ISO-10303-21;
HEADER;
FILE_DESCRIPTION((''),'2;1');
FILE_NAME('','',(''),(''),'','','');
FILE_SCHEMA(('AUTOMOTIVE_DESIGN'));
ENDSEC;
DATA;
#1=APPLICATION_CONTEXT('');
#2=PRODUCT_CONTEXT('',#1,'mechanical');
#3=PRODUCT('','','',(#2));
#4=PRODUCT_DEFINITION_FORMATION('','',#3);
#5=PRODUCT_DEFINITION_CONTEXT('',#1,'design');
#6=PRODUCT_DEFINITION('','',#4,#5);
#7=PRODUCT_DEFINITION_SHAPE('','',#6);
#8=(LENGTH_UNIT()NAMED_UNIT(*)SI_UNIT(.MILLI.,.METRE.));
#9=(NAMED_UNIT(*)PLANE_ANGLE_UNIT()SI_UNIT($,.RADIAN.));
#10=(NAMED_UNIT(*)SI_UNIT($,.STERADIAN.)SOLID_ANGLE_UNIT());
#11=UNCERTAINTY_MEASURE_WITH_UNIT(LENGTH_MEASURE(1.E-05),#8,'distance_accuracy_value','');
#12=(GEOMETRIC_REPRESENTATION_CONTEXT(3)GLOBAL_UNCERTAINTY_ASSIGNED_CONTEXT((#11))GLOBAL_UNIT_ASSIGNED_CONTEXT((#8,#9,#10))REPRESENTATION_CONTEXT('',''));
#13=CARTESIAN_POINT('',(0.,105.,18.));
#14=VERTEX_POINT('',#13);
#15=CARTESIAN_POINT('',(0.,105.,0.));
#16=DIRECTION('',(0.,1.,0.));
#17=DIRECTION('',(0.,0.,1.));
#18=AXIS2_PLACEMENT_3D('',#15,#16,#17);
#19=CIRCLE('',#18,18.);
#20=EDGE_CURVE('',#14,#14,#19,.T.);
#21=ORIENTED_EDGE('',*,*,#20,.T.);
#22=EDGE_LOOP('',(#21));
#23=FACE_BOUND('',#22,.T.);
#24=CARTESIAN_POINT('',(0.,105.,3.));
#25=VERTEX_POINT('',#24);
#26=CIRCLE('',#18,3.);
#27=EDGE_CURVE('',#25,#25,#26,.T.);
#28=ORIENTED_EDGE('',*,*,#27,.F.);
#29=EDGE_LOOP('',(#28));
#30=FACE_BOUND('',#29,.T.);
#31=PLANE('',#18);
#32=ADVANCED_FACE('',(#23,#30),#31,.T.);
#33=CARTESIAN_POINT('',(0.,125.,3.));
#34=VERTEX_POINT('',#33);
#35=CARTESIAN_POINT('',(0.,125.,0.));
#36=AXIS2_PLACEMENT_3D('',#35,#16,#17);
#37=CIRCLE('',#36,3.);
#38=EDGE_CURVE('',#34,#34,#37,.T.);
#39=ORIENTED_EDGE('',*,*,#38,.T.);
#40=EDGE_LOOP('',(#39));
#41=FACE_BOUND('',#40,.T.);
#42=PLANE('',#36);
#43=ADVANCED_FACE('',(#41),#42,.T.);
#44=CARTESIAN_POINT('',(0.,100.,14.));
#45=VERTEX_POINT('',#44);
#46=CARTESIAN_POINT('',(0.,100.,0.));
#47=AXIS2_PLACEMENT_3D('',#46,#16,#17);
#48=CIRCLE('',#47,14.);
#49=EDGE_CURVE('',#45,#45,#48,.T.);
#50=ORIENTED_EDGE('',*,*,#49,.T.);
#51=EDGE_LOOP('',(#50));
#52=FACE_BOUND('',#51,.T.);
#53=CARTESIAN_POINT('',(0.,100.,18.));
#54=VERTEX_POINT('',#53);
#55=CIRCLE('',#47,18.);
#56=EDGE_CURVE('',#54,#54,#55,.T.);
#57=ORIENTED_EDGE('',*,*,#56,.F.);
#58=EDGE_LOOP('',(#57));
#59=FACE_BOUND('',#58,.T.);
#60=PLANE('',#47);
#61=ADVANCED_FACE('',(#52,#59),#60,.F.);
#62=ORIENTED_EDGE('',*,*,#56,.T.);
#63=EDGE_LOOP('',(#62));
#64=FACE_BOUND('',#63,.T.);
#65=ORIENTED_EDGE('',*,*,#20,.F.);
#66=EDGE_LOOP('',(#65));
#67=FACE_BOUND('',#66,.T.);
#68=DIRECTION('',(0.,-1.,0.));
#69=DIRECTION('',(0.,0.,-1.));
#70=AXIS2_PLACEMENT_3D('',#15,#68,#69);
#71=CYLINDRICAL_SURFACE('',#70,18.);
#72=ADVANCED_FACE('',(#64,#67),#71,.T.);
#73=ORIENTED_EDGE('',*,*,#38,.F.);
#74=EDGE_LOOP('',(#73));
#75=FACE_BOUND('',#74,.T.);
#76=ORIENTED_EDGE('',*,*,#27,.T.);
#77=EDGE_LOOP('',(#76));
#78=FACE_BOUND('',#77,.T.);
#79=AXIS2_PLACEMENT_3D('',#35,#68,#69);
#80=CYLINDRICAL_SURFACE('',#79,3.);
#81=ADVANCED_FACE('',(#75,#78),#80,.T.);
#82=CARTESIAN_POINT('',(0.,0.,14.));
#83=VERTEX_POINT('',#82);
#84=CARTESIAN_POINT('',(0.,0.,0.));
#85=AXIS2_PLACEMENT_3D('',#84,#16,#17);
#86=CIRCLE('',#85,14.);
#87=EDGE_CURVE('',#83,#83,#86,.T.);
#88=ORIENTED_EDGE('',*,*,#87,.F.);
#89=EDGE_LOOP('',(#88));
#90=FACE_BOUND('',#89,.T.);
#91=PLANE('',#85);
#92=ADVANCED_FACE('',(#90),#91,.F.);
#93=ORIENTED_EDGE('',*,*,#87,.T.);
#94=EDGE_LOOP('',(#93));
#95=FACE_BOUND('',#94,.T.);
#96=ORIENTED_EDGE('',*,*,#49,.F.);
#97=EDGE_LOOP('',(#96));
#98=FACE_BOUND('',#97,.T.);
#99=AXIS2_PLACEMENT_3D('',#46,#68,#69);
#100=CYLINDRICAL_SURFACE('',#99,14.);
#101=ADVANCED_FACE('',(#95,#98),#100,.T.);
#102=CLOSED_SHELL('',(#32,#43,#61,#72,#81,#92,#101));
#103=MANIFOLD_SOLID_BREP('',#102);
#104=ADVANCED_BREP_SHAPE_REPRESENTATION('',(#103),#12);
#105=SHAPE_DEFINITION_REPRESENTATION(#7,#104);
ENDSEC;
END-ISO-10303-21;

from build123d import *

# Parameters (mm, degrees)
SKETCH1_R           = 14
BOSS_EXTRUDE1_DEPTH = 100
SKETCH2_R           = 18
BOSS_EXTRUDE2_DEPTH = 5
SKETCH3_R           = 3
BOSS_EXTRUDE3_DEPTH = 20


with BuildPart() as part:
    # Sketch1 → Boss-Extrude1 (new body)
    with BuildSketch(Plane(origin=(0, 0, 0), x_dir=(1, 0, 0), z_dir=(0, 1, 0))):
        Circle(SKETCH1_R)
    extrude(amount=BOSS_EXTRUDE1_DEPTH)

    # Sketch2 → Boss-Extrude2 (add)
    with BuildSketch(Plane(origin=(0, 100, 0), x_dir=(1, 0, 0), z_dir=(0, 1, 0))):
        Circle(SKETCH2_R)
    extrude(amount=BOSS_EXTRUDE2_DEPTH)

    # Sketch3 → Boss-Extrude3 (add)
    with BuildSketch(Plane(origin=(0, 105, 0), x_dir=(1, 0, 0), z_dir=(0, 1, 0))):
        Circle(SKETCH3_R)
    extrude(amount=BOSS_EXTRUDE3_DEPTH)


solid = part.part
